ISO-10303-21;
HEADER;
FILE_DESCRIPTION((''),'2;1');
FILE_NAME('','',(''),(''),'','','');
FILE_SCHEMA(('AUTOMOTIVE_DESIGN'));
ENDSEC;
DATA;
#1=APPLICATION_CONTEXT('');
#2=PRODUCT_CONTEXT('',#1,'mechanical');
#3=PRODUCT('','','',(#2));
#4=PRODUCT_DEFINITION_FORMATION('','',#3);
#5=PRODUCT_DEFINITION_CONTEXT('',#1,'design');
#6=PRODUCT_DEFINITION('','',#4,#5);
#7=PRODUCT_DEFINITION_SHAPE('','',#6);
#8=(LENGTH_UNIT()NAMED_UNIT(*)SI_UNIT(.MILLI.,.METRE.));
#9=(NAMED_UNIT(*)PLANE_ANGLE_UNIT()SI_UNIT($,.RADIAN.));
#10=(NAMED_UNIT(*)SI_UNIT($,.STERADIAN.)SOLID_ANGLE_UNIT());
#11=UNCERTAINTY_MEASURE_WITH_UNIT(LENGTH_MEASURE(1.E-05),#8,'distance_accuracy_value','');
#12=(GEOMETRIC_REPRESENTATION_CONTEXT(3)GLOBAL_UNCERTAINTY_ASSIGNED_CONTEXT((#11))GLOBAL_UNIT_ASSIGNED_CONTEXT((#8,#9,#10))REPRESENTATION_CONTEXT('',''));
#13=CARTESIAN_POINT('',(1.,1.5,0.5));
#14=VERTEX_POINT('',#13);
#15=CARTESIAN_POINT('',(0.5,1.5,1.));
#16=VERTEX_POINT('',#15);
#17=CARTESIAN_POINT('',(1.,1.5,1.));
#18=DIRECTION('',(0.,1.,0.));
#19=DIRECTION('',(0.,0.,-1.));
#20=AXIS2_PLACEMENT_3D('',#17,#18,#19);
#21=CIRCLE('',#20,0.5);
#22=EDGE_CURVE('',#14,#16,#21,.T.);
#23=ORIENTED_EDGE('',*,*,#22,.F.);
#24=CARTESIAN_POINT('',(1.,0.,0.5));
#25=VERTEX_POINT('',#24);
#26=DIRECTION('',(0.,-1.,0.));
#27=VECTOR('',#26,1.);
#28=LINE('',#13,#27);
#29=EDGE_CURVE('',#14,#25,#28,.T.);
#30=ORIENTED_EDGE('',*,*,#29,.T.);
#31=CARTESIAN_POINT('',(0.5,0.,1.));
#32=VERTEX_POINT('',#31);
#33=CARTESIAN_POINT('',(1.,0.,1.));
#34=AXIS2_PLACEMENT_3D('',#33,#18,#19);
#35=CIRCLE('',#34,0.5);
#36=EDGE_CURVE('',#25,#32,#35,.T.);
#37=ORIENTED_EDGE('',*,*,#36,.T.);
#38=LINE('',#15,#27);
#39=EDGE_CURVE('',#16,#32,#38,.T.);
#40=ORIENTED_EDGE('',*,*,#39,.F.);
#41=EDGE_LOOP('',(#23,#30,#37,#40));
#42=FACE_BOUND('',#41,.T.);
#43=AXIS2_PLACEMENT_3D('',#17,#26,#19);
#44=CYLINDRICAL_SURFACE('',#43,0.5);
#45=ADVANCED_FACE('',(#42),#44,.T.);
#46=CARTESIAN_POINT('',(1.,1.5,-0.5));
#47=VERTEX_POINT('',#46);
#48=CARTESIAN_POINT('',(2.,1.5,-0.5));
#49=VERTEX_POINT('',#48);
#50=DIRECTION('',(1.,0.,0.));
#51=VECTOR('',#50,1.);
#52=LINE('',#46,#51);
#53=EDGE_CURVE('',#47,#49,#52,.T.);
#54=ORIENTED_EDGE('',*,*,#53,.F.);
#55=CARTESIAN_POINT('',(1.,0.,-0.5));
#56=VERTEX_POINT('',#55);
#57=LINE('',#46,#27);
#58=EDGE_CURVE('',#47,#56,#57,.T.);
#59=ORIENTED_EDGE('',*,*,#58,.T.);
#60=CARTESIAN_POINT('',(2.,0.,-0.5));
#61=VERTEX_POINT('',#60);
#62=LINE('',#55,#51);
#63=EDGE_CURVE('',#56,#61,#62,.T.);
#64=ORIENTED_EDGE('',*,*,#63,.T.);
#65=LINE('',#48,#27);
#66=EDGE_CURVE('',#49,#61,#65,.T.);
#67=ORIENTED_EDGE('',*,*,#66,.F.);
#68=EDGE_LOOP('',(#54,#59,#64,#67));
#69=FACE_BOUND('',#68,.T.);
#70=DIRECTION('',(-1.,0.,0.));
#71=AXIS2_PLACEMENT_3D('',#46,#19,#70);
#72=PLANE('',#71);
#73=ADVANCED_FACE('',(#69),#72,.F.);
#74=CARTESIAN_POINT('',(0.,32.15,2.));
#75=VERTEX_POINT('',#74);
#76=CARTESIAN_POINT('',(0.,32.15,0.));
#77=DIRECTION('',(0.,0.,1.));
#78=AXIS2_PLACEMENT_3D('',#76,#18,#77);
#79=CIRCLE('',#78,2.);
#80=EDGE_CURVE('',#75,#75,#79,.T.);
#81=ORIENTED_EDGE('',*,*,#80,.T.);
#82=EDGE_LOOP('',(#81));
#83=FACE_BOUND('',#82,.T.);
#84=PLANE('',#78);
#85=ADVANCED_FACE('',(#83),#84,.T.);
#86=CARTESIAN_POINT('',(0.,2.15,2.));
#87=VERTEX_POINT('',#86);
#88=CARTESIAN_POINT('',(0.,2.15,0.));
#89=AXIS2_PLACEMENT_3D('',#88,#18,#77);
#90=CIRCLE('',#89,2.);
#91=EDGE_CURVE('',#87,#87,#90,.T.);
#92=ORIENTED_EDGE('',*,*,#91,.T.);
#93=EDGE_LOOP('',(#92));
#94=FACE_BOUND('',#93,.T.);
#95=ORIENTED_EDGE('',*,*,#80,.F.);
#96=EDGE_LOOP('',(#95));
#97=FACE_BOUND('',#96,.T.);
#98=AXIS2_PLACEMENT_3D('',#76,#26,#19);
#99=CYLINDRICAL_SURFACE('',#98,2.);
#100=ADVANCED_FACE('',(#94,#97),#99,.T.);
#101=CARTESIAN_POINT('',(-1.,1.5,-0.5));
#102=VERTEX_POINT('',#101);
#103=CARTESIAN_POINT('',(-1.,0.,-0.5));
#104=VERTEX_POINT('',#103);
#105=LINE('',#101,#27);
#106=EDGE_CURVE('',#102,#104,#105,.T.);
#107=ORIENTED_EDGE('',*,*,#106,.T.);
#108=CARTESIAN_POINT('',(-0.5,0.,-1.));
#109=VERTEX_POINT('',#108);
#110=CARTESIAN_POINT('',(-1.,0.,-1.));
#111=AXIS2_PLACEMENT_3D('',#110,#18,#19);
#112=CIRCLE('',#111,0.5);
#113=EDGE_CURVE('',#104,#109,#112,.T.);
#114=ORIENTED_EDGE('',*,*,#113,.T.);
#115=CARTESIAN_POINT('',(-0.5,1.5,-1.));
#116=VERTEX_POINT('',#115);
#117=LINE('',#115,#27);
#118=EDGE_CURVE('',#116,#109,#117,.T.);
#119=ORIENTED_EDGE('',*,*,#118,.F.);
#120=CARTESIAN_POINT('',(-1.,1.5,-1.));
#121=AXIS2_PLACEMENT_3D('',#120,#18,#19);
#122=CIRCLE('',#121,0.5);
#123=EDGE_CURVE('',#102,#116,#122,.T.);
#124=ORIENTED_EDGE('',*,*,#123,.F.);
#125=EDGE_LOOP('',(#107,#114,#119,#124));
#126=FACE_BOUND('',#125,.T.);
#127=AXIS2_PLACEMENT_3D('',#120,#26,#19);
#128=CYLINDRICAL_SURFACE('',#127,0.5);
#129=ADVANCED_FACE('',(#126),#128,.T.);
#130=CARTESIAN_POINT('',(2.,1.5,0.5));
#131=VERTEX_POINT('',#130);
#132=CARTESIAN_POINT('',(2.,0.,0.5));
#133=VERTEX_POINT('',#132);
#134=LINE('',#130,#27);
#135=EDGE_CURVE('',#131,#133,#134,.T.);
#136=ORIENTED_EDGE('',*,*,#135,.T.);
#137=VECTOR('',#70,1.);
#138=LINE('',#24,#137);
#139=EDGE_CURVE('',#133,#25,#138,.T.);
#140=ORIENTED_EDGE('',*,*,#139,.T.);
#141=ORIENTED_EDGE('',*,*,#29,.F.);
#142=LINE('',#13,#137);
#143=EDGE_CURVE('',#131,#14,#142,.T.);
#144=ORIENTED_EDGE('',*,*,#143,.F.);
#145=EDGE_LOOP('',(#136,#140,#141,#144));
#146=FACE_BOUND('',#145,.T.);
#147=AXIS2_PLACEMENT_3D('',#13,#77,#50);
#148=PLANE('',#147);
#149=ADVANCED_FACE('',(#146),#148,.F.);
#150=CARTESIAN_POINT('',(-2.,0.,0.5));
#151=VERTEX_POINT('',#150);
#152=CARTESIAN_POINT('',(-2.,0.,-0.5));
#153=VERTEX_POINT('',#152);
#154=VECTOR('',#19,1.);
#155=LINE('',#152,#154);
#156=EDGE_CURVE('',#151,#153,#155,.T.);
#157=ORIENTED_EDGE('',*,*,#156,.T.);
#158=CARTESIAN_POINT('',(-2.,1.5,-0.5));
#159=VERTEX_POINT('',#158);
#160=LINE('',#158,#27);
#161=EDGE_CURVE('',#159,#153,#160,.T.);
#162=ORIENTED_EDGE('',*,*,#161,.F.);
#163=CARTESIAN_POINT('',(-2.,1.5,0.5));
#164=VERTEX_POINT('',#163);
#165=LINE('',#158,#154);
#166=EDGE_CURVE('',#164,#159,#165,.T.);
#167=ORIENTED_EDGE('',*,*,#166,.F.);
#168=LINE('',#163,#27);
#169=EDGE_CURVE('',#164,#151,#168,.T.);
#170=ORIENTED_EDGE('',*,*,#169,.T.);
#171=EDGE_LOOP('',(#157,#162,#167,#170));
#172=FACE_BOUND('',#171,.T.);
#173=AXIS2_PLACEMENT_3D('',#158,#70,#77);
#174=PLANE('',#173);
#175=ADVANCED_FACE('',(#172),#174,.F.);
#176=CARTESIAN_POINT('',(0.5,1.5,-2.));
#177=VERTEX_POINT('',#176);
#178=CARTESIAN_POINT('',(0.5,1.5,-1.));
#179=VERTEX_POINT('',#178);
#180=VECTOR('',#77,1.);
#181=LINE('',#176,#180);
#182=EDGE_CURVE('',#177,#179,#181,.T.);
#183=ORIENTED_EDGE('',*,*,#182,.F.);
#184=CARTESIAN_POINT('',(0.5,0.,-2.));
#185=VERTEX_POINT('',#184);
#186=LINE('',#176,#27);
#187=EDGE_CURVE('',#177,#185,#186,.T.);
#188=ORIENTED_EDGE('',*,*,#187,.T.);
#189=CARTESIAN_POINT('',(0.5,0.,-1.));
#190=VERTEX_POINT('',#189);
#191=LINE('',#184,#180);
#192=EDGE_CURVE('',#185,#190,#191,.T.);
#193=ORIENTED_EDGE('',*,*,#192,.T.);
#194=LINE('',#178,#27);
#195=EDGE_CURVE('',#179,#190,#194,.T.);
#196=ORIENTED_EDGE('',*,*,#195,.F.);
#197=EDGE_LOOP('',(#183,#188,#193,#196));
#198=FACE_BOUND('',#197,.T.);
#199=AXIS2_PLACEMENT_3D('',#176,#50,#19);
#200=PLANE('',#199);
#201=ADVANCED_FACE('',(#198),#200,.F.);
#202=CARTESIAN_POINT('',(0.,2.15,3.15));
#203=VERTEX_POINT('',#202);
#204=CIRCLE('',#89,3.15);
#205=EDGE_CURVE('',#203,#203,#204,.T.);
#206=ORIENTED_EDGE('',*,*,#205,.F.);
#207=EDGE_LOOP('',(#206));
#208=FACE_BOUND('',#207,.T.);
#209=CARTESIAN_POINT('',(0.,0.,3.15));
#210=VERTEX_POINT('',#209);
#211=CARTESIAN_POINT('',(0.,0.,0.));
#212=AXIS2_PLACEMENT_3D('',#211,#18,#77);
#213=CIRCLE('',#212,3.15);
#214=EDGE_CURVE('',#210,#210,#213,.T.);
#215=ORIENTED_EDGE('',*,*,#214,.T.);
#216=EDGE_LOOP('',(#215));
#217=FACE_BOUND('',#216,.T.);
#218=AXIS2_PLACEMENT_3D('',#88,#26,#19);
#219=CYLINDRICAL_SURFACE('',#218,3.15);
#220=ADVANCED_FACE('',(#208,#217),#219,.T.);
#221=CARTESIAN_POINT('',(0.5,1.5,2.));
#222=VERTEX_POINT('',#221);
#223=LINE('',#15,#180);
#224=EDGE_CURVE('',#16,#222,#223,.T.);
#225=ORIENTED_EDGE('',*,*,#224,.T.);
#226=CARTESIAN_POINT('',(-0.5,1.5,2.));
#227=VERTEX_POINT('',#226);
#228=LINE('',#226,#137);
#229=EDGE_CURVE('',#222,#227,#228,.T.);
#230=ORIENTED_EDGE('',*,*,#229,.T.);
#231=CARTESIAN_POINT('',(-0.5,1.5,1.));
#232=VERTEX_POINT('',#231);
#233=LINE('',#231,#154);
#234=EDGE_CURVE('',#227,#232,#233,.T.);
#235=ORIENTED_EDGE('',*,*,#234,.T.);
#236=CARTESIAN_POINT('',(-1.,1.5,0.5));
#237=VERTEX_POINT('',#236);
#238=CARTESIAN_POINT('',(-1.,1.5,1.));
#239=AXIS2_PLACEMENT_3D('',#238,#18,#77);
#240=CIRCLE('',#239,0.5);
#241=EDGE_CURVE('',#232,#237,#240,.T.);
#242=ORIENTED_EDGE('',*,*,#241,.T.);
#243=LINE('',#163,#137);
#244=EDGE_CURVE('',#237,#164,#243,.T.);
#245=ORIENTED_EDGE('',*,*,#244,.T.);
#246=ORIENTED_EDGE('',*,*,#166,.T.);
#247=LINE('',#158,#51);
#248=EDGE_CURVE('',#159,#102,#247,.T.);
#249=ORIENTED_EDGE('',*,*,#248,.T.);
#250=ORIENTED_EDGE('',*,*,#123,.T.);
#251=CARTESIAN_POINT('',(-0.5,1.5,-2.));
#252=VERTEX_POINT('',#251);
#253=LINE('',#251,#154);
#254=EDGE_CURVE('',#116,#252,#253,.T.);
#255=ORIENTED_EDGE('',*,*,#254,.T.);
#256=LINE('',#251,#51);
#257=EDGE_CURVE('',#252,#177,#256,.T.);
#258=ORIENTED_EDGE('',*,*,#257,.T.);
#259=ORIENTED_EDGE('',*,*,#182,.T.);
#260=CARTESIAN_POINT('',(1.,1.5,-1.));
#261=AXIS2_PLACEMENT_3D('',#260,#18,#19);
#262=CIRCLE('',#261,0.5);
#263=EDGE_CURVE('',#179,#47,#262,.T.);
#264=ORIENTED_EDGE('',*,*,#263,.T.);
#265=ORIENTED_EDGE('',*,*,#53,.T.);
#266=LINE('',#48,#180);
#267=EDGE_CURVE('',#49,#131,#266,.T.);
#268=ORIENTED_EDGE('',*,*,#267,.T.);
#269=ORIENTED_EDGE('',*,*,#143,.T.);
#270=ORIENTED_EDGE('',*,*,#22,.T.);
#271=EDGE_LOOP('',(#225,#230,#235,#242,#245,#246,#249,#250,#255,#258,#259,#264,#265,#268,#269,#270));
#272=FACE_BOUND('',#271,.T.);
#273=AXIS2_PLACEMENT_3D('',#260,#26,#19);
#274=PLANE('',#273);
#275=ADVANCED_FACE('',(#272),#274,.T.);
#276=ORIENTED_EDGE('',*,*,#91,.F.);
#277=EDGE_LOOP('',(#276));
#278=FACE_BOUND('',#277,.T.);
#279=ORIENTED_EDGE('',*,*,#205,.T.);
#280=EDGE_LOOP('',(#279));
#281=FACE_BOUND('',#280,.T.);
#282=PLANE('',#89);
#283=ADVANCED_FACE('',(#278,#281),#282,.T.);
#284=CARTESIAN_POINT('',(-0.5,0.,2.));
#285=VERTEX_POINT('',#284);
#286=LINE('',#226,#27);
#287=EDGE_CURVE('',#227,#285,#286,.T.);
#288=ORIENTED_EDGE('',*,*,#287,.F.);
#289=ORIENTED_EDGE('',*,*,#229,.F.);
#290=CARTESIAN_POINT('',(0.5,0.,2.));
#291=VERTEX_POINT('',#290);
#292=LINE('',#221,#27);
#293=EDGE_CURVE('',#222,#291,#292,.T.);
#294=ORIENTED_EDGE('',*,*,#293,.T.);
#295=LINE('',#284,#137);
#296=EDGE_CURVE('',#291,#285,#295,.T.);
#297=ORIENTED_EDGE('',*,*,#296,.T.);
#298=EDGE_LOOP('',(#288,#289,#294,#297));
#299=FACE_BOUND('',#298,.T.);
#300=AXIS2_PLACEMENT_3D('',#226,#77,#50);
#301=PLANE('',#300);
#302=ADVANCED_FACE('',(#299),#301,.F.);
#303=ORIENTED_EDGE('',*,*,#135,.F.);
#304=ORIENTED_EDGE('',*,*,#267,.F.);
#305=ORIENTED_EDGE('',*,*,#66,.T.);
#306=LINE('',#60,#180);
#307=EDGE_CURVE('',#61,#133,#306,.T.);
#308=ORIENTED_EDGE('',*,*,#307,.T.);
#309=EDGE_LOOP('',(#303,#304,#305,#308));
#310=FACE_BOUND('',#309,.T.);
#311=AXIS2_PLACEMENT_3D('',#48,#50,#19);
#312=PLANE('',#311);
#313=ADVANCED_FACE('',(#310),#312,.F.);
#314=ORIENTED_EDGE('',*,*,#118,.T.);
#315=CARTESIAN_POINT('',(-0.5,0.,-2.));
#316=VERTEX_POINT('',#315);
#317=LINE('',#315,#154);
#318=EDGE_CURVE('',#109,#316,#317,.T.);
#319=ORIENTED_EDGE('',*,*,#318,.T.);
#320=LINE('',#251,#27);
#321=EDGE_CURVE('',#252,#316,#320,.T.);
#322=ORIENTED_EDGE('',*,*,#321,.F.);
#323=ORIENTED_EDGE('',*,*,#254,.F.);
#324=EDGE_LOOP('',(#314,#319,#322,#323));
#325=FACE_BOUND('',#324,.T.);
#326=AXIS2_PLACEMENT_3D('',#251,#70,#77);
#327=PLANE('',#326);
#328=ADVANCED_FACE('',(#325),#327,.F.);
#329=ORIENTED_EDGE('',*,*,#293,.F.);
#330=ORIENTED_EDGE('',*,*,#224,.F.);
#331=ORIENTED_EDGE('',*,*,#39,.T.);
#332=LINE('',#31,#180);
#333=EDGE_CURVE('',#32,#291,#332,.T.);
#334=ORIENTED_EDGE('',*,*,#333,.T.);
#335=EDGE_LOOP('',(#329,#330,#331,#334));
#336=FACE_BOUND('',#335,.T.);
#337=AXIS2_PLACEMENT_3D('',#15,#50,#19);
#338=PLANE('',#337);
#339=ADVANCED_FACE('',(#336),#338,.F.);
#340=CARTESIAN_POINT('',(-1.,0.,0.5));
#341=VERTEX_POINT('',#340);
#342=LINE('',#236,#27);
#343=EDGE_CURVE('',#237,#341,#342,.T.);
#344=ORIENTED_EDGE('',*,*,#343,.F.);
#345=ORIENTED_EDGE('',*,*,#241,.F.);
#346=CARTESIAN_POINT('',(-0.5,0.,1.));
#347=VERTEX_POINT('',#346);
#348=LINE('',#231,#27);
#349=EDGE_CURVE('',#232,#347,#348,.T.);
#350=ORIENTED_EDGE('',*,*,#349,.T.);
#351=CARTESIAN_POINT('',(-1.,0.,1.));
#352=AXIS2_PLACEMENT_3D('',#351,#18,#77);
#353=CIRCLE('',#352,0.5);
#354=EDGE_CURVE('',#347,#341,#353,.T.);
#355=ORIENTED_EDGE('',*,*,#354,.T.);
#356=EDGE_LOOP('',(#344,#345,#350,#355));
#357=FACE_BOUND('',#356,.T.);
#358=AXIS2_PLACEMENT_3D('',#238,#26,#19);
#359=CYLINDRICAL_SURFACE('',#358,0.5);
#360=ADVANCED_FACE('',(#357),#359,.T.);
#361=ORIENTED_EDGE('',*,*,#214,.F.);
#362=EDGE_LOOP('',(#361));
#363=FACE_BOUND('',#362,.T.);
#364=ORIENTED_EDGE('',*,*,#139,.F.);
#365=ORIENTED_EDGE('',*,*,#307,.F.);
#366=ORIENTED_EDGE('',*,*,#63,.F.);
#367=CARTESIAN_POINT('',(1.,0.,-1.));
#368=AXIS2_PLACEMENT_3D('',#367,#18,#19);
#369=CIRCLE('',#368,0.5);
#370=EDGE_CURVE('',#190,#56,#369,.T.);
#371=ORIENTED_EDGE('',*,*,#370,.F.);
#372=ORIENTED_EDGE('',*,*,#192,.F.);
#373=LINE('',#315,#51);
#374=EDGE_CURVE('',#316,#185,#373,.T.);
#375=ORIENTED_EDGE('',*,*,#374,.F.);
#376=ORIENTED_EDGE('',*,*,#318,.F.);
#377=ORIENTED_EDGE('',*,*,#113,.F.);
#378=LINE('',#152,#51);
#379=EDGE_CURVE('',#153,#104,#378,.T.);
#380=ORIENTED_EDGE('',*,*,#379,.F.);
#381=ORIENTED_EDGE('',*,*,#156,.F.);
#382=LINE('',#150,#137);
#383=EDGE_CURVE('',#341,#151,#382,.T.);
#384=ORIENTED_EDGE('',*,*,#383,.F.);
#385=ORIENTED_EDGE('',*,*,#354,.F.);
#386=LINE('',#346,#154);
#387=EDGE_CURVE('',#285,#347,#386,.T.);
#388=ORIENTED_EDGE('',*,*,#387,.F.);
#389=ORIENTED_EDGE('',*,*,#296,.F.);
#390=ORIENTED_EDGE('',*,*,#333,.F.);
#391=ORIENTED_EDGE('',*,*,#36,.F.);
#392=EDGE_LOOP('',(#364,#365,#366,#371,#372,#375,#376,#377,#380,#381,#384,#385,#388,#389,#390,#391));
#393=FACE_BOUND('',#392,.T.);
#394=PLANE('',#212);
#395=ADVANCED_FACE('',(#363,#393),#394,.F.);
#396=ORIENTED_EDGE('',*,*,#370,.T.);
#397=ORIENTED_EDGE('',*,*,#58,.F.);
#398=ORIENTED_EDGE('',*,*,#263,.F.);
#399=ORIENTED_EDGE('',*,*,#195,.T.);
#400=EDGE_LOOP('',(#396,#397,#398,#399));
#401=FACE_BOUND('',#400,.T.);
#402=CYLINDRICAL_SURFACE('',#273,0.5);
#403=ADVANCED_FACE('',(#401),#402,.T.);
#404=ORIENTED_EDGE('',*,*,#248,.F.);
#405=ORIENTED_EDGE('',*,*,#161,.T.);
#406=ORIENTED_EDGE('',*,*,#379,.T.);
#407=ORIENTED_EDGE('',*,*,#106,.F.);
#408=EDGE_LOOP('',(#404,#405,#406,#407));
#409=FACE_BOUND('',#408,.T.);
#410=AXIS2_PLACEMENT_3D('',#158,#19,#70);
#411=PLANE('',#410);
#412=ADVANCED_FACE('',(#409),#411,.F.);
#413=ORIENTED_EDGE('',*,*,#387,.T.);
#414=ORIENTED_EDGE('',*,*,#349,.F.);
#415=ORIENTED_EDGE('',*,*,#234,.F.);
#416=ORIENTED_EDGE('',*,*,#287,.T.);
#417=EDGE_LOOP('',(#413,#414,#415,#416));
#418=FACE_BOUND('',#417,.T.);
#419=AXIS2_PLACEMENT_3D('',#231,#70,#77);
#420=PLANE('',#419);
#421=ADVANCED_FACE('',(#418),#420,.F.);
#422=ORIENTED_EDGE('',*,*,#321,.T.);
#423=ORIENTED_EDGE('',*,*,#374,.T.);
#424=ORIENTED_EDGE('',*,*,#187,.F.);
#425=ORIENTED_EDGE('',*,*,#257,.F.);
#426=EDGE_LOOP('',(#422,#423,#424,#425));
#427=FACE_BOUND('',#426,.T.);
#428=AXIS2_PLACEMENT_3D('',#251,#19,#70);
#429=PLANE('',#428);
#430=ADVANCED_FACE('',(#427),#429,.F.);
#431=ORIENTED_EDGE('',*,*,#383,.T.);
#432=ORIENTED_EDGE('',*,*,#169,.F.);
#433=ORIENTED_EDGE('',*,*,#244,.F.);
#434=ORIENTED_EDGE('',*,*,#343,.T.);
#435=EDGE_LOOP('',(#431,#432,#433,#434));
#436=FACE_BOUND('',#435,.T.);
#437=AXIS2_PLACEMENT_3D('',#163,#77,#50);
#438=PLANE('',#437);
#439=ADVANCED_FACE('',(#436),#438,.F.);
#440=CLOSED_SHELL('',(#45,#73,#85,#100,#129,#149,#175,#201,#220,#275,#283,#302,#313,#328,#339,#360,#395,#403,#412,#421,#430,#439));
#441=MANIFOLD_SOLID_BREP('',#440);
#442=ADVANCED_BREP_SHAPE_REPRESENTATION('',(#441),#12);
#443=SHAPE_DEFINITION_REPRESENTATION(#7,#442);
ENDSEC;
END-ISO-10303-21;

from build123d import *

# Parameters (mm, degrees)
SKETCH_1_R          = 3.15
EXTRUDE_1_DEPTH     = 2.15
SKETCH_2_R          = 2
EXTRUDE_2_DEPTH     = 30
CUT_EXTRUDE_1_DEPTH = 1.5


with BuildPart() as part:
    # 草图1 → 凸台-拉伸1 (new body)
    with BuildSketch(Plane(origin=(0, 0, 0), x_dir=(1, 0, 0), z_dir=(0, 1, 0))):
        Circle(SKETCH_1_R)
    extrude(amount=EXTRUDE_1_DEPTH)

    # 草图2 → 凸台-拉伸2 (add)
    with BuildSketch(Plane(origin=(0, 2.15, 0), x_dir=(1, 0, 0), z_dir=(0, 1, 0))):
        Circle(SKETCH_2_R)
    extrude(amount=EXTRUDE_2_DEPTH)

    # 草图3 → 切除-拉伸1 (cut)
    with BuildSketch(Plane.XZ):
        with BuildLine():
            Line((-0.5, 1), (-0.5, 2))
            Line((-0.5, 2), (0.5, 2))
            Line((0.5, 2), (0.5, 1))
            ThreePointArc((0.5, 1), (0.646446609, 0.646446609), (1, 0.5))
            Line((1, 0.5), (2, 0.5))
            Line((2, 0.5), (2, -0.5))
            Line((2, -0.5), (1, -0.5))
            ThreePointArc((1, -0.5), (0.646446609, -0.646446609), (0.5, -1))
            Line((0.5, -1), (0.5, -2))
            Line((0.5, -2), (-0.5, -2))
            Line((-0.5, -2), (-0.5, -1))
            ThreePointArc((-0.5, -1), (-0.646446609, -0.646446609), (-1, -0.5))
            Line((-1, -0.5), (-2, -0.5))
            Line((-2, -0.5), (-2, 0.5))
            Line((-2, 0.5), (-1, 0.5))
            ThreePointArc((-1, 0.5), (-0.646446609, 0.646446609), (-0.5, 1))
        make_face()
    extrude(amount=-CUT_EXTRUDE_1_DEPTH, mode=Mode.SUBTRACT)


solid = part.part
